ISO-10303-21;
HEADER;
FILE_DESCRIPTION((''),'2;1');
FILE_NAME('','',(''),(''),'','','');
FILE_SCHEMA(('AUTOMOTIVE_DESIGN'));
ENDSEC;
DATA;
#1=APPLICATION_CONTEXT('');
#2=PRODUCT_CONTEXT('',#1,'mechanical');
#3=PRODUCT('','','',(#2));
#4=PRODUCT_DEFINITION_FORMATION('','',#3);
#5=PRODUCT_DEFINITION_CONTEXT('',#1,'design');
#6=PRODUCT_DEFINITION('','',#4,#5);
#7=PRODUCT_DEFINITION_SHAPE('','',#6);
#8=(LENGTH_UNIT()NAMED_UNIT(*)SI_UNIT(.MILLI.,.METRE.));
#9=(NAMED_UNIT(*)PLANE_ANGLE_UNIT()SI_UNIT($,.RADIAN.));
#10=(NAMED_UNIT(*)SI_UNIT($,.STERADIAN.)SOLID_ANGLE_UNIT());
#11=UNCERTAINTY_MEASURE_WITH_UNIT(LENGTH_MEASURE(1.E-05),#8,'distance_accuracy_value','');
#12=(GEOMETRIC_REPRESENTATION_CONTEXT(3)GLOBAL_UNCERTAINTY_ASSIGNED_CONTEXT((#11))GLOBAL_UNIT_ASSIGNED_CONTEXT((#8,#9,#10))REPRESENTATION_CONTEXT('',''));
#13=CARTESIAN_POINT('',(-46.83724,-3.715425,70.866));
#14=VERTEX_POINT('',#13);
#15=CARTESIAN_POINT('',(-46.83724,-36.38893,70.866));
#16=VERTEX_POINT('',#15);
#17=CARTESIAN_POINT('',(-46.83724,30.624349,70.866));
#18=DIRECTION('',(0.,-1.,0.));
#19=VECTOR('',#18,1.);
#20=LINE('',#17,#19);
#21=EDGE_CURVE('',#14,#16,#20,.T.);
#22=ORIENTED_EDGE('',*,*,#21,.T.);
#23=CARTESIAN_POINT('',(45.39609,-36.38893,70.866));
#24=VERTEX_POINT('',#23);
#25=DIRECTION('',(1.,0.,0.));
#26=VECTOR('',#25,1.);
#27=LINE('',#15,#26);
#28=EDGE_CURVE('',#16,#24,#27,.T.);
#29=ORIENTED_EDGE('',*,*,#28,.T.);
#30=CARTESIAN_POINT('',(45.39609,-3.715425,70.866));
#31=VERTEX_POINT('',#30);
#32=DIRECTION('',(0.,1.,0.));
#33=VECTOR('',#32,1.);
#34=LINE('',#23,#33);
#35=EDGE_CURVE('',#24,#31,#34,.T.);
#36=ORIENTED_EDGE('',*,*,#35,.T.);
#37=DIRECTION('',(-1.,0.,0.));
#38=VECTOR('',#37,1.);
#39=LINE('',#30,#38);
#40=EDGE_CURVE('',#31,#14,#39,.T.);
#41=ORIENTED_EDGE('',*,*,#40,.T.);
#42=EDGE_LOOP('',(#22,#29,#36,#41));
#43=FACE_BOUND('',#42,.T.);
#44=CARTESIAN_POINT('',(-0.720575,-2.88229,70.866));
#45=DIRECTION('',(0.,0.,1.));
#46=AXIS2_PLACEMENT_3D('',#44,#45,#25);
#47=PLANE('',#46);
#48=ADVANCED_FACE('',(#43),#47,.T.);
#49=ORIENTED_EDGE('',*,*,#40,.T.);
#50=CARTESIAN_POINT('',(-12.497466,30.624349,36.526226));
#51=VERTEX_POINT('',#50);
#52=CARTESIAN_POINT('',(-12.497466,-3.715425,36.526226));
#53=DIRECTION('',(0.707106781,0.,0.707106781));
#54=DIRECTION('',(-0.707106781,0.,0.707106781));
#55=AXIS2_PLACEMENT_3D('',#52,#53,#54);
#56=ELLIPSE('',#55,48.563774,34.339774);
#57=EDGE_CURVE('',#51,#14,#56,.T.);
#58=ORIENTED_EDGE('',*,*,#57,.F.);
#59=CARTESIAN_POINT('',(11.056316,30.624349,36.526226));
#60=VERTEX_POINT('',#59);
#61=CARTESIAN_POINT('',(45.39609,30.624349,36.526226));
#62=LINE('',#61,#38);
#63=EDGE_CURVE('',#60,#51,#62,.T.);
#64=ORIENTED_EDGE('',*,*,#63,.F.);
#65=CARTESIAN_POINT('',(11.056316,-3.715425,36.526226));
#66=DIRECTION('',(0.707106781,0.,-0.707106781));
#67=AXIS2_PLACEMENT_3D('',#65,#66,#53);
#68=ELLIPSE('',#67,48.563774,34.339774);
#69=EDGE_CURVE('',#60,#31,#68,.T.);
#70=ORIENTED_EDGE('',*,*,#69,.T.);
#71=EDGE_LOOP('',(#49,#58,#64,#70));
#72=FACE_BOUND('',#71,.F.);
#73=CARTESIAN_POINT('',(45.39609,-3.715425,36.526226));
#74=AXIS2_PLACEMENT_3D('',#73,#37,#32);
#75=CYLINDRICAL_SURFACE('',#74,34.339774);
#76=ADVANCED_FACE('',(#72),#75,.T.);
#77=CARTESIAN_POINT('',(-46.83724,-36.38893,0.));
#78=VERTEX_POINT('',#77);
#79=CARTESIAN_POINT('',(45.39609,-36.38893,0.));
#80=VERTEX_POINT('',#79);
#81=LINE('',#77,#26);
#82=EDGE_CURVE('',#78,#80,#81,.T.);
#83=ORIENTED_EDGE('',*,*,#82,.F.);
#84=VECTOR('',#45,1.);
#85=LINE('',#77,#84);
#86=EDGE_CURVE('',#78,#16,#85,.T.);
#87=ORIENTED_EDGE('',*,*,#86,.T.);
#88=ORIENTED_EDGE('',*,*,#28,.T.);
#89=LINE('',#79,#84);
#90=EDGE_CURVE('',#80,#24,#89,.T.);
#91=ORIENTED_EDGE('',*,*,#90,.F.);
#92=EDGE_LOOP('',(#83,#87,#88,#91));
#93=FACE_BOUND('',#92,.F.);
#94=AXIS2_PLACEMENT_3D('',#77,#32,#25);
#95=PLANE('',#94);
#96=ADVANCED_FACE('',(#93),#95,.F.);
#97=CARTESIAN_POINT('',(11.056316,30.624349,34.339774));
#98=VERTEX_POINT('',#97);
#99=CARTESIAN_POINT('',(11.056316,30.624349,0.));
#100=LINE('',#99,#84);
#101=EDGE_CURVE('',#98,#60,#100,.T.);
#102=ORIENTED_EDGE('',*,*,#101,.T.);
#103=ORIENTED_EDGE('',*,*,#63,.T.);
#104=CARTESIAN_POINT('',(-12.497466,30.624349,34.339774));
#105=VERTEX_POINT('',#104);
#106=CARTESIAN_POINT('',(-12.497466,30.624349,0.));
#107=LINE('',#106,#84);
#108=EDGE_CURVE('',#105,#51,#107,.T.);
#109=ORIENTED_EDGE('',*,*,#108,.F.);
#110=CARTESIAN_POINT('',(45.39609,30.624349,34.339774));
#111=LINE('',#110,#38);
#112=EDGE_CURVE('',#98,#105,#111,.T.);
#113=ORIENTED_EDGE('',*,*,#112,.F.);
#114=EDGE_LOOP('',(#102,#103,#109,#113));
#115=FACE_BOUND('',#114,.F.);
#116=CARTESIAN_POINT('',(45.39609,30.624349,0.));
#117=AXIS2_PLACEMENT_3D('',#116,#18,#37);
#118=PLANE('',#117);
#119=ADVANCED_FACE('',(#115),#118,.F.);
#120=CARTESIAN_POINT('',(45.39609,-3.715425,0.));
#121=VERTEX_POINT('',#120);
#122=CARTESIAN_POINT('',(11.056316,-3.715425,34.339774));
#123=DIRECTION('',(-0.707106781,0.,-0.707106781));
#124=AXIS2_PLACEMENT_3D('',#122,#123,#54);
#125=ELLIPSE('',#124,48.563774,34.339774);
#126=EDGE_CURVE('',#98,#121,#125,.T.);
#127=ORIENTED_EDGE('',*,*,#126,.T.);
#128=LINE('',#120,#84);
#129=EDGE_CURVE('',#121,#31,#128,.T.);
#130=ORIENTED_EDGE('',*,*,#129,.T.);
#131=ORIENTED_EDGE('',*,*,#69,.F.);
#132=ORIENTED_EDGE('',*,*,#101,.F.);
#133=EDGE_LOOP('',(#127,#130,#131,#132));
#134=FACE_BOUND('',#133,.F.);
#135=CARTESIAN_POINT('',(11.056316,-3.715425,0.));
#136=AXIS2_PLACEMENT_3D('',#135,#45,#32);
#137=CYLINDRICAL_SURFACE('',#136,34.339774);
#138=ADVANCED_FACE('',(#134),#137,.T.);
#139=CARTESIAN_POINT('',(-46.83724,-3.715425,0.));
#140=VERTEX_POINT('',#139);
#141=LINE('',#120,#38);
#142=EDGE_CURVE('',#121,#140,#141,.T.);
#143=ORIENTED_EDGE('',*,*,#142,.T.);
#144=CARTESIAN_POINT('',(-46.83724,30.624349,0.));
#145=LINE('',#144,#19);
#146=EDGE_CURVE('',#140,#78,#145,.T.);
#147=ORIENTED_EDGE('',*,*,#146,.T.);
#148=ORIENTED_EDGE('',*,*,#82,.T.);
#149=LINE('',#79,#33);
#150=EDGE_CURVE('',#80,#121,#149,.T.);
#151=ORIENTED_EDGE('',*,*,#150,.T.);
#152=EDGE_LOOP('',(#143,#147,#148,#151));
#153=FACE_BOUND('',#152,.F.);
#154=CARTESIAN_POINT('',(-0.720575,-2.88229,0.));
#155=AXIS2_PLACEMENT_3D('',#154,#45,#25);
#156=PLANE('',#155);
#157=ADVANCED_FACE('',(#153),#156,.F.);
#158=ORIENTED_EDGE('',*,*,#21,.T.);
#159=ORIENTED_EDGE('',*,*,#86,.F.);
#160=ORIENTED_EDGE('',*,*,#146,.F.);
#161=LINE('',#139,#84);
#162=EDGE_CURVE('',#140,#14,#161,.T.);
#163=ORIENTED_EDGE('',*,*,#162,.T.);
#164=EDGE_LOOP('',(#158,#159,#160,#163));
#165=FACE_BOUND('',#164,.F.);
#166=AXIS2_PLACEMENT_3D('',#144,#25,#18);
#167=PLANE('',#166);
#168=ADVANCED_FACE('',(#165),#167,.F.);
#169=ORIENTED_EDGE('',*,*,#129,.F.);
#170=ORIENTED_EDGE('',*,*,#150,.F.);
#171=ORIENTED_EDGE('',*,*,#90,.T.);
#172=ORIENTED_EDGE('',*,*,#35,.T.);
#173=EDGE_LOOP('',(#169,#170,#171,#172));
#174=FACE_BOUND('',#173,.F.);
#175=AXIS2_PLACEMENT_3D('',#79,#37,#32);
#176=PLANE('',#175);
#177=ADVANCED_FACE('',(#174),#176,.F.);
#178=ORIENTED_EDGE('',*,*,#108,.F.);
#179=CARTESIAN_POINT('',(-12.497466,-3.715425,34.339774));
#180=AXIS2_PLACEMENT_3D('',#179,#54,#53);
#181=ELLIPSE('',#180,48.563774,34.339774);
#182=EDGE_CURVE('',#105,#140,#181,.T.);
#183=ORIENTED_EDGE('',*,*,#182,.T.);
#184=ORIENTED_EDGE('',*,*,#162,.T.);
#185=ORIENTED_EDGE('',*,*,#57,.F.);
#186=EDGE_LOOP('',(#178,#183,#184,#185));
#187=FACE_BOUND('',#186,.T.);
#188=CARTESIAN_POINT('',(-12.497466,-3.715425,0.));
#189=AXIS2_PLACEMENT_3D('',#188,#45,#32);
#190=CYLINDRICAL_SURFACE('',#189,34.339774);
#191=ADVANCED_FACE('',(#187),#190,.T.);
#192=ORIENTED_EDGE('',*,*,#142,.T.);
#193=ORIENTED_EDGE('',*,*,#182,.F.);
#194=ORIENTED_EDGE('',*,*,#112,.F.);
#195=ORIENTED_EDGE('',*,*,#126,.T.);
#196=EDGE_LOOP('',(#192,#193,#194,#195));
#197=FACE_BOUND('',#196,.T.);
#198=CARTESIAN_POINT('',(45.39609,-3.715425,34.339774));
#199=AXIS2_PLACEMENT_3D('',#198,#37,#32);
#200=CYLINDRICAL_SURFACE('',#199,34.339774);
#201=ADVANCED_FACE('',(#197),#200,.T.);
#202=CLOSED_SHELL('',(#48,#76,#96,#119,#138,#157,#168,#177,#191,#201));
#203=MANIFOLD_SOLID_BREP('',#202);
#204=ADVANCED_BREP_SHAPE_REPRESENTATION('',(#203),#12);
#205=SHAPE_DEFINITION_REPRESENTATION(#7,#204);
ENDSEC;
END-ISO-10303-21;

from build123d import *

# Parameters (mm, degrees)
F1_DEPTH = 70.866
F2_R     = 34.339774


with BuildPart() as f1:
    # F0 (on Top) → F1 (new body)
    with BuildSketch(Plane.XY):
        Polygon((45.39609, 30.624349), (-46.83724, 30.624349), (-46.83724, 28.46263), (-46.83724, -36.38893), (45.39609, -36.38893), align=None)
    extrude(amount=F1_DEPTH)

    # F2
    f2_edges = [f1.edges().sort_by_distance(p)[0] for p in [
        (45.39609, 30.624349, 35.433),
        (-46.83724, 30.624349, 35.433),
        (-0.720575, 30.624349, 0),
        (-0.720575, 30.624349, 70.866),
    ]]
    fillet(f2_edges, radius=F2_R)


solid = f1.part
